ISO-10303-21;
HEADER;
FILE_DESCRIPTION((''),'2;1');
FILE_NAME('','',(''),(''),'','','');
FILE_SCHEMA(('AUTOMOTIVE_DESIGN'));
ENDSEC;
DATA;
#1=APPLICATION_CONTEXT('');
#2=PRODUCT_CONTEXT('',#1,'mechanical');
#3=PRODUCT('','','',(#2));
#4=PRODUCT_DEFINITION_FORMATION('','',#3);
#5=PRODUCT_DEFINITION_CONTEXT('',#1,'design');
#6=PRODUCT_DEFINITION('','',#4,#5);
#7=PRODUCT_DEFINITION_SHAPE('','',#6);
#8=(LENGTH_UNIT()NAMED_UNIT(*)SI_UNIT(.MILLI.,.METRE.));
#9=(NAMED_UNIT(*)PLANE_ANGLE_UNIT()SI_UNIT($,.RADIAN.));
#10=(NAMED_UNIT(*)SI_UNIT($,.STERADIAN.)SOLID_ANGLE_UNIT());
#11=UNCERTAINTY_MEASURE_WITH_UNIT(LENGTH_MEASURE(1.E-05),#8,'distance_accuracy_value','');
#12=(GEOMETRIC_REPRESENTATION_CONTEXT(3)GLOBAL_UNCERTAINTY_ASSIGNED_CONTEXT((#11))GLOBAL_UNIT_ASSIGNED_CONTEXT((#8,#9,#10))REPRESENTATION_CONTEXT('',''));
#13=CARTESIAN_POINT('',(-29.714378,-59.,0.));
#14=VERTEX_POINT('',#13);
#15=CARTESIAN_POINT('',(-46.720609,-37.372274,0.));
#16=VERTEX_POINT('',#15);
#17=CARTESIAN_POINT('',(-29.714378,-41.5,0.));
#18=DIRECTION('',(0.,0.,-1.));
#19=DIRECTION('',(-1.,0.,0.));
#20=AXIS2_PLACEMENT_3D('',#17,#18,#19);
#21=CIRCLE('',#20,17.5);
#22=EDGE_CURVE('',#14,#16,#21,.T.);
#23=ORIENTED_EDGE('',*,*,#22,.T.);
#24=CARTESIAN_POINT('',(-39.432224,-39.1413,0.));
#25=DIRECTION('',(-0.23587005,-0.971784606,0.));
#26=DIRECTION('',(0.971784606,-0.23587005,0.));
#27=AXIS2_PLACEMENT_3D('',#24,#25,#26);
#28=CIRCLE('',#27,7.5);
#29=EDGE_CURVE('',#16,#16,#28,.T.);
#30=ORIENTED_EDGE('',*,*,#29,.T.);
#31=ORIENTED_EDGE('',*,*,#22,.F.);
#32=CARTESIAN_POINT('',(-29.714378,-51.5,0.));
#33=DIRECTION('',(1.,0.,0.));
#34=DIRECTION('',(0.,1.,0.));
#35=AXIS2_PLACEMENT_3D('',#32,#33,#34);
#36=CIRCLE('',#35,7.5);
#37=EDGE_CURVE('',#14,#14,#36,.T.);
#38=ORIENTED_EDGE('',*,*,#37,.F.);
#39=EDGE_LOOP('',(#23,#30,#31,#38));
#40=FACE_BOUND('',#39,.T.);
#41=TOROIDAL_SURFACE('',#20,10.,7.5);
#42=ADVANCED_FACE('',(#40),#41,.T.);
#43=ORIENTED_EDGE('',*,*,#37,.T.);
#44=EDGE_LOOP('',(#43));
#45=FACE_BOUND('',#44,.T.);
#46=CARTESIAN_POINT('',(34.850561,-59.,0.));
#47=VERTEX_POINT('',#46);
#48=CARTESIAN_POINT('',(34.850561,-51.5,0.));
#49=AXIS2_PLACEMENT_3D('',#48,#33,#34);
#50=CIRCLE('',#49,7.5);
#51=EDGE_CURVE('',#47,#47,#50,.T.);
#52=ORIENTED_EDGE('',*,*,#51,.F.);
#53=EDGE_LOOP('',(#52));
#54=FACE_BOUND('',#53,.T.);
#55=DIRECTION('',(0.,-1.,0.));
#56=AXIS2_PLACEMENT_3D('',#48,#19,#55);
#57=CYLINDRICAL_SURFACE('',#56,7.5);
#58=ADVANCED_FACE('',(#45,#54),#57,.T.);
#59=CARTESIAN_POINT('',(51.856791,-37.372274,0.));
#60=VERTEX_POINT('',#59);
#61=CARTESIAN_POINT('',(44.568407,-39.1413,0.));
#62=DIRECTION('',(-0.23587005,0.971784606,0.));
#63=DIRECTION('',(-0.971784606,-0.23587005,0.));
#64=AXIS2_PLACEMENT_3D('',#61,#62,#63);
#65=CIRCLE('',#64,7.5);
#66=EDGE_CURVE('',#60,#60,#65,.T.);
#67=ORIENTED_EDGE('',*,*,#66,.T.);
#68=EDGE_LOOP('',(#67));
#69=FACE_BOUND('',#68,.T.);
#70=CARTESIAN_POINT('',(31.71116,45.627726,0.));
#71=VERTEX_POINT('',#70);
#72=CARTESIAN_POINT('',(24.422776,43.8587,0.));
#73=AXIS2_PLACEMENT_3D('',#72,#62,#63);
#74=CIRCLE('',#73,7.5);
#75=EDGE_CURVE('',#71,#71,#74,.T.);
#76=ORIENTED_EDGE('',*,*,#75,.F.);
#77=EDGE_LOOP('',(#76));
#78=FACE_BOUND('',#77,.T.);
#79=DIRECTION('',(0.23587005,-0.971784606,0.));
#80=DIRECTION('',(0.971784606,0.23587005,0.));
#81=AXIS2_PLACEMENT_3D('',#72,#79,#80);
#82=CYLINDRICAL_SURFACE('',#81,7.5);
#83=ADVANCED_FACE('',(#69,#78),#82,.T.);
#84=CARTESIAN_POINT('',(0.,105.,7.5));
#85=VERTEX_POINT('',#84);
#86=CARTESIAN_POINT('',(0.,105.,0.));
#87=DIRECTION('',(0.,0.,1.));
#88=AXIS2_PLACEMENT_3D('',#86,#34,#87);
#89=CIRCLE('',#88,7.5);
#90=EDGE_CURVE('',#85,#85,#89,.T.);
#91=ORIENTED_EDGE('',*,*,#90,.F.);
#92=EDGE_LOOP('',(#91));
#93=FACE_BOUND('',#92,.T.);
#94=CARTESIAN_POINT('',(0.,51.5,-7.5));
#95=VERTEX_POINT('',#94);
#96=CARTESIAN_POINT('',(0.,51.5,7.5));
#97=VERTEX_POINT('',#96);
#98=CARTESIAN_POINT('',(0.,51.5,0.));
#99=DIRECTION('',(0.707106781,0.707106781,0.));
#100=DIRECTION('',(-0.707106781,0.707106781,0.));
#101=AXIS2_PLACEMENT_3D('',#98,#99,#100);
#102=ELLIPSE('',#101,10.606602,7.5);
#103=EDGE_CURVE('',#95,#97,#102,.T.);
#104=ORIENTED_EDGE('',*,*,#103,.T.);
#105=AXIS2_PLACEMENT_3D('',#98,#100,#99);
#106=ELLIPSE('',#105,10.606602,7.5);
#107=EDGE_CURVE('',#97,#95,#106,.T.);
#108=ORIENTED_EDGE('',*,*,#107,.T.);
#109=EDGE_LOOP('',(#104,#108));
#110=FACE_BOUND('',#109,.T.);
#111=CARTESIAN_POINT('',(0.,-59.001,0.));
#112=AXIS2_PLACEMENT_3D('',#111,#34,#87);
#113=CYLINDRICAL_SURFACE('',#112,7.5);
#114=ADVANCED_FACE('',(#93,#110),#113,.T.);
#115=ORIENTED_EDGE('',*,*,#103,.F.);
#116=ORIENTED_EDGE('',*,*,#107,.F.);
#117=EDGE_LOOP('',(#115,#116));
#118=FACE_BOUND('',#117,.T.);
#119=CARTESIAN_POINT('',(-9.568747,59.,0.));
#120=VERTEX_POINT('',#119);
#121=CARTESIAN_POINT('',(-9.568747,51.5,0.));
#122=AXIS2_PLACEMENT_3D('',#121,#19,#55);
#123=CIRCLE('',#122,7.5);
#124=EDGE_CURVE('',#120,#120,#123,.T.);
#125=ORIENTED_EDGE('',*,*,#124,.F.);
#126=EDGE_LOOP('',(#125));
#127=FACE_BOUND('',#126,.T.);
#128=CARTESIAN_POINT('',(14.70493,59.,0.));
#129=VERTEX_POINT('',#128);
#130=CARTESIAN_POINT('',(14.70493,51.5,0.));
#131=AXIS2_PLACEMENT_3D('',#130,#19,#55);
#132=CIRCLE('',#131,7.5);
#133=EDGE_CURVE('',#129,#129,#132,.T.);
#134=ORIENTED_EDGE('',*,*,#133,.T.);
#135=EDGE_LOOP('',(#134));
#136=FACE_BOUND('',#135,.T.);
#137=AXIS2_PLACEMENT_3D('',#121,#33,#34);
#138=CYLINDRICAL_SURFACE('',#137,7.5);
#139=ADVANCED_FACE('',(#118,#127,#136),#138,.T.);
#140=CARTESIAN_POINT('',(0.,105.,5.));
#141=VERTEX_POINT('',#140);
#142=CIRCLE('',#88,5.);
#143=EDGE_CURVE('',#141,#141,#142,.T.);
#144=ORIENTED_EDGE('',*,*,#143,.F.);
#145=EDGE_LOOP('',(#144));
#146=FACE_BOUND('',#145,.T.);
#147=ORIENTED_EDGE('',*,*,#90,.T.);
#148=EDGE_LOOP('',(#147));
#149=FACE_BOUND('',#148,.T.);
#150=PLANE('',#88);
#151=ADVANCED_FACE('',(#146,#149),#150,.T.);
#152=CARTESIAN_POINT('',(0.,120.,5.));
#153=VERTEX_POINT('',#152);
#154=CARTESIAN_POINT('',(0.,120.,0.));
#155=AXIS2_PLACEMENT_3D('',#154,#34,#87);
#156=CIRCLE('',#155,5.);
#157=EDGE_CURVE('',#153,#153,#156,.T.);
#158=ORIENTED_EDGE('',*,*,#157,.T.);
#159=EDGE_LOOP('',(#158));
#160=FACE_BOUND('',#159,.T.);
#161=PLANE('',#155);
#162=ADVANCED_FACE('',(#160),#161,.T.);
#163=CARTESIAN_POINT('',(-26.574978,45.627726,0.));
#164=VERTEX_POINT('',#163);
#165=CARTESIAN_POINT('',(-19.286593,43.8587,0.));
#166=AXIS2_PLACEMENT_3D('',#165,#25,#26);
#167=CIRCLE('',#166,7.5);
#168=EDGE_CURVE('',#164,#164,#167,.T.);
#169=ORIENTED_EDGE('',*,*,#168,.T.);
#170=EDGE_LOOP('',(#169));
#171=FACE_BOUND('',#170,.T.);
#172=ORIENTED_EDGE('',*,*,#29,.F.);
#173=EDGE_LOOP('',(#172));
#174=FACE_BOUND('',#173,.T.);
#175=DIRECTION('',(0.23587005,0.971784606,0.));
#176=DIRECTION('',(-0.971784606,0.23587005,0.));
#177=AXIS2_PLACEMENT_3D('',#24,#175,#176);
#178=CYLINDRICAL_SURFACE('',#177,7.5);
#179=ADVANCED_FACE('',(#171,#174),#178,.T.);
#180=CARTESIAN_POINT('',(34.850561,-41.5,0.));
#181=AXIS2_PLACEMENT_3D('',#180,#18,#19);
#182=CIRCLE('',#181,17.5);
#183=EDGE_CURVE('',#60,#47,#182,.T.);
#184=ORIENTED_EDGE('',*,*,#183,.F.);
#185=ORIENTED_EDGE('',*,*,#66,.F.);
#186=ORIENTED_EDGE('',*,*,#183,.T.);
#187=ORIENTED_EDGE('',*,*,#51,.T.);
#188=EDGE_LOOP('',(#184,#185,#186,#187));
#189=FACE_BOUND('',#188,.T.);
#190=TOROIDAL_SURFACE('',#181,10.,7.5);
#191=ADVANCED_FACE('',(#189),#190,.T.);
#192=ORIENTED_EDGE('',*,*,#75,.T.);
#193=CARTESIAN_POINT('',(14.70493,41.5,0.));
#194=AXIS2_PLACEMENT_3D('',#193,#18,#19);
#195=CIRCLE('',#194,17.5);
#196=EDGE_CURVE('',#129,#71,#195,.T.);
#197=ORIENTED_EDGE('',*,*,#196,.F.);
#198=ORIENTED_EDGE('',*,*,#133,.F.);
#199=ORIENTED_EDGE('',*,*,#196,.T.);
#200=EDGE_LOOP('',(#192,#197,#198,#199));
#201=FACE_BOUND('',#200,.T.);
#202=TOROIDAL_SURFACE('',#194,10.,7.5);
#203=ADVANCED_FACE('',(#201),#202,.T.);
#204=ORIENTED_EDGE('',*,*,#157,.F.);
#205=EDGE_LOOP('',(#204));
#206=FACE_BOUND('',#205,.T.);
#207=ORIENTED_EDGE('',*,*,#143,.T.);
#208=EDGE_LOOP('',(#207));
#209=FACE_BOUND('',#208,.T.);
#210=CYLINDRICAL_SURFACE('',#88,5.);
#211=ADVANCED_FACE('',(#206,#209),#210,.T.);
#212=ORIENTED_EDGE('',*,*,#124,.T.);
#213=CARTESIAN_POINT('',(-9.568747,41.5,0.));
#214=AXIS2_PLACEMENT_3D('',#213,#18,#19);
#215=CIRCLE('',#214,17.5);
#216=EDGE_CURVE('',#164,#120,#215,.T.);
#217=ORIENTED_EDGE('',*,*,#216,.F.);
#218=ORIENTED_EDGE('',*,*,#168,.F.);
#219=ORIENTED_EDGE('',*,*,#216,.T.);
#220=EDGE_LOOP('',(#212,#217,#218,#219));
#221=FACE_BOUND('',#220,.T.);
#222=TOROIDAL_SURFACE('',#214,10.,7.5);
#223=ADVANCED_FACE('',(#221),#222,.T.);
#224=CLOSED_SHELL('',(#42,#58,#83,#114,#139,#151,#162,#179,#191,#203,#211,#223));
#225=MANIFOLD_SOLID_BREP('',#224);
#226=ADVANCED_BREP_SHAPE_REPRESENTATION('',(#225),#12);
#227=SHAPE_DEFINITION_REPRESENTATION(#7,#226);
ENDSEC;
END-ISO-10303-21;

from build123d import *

# Parameters (mm, degrees)
SWEEP1_PROFILE_R         = 7.5
BOSS_EXTRUDE1_REACH      = 188.649
BOSS_EXTRUDE1_END_RADIUS = 7.5
SKETCH10_R               = 7.5
SKETCH11_R               = 7.5
SKETCH11_R_2             = 5
CUT_EXTRUDE1_DEPTH       = 15


with BuildPart() as part:
    # Sweep1: sweep along a path in Sketch1
    with BuildLine(Plane.XY) as sweep1_path:
        Line((-9.568747019, 51.5), (14.70492956, 51.5))
        ThreePointArc((14.70492956, 51.5), (20.88607003, 49.360884333), (24.422775616, 43.858700499))
        Line((24.422775616, 43.858700499), (44.568406684, -39.141299501))
        ThreePointArc((44.568406684, -39.141299501), (42.711444961, -47.68114047), (34.850560628, -51.5))
        Line((34.850560628, -51.5), (-29.714378087, -51.5))
        ThreePointArc((-29.714378087, -51.5), (-37.57526242, -47.68114047), (-39.432224142, -39.141299501))
        Line((-39.432224142, -39.141299501), (-19.286593074, 43.858700499))
        ThreePointArc((-19.286593074, 43.858700499), (-15.749887488, 49.360884333), (-9.568747019, 51.5))
    # Sweep1 profile (on start of the path) → Sweep1 (sweep)
    with BuildSketch(Plane(origin=(-9.568747019, 51.5, 0), x_dir=(0, 1, 0), z_dir=(1, 0, 0))):
        Circle(SWEEP1_PROFILE_R)
    sweep(path=sweep1_path.line)

    # Boss-Extrude1: up to this cylinder (the profile starts outside it)
    boss_extrude1_end = Plane(origin=(0, 51.5, 0), z_dir=(1, 0, 0)) * Cylinder(BOSS_EXTRUDE1_END_RADIUS, 393.298, mode=Mode.PRIVATE)
    # Sketch10 → Boss-Extrude1 (add, up to the surface)
    with BuildSketch(Plane(origin=(0, 120, 0), x_dir=(1, 0, 0), z_dir=(0, 1, 0)), mode=Mode.PRIVATE) as boss_extrude1_sk1:
        with Locations(Location((0, 0, 0), (0, 0, 270))):
            Circle(SKETCH10_R)
    boss_extrude1_tool1 = extrude(boss_extrude1_sk1.sketch, amount=-BOSS_EXTRUDE1_REACH, mode=Mode.PRIVATE) - boss_extrude1_end
    add(boss_extrude1_tool1.solids().sort_by_distance((0, 120, 0))[0])

    # Sketch11 → Cut-Extrude1 (cut)
    with BuildSketch(Plane(origin=(0, 120, 0), x_dir=(1, 0, 0), z_dir=(0, 1, 0))):
        with Locations(Location((0, 0, 0), (0, 0, 270))):
            Circle(SKETCH11_R)
        with Locations(Location((0, 0, 0), (0, 0, 270))):
            Circle(SKETCH11_R_2, mode=Mode.SUBTRACT)
    extrude(amount=-CUT_EXTRUDE1_DEPTH, mode=Mode.SUBTRACT)


solid = part.part
